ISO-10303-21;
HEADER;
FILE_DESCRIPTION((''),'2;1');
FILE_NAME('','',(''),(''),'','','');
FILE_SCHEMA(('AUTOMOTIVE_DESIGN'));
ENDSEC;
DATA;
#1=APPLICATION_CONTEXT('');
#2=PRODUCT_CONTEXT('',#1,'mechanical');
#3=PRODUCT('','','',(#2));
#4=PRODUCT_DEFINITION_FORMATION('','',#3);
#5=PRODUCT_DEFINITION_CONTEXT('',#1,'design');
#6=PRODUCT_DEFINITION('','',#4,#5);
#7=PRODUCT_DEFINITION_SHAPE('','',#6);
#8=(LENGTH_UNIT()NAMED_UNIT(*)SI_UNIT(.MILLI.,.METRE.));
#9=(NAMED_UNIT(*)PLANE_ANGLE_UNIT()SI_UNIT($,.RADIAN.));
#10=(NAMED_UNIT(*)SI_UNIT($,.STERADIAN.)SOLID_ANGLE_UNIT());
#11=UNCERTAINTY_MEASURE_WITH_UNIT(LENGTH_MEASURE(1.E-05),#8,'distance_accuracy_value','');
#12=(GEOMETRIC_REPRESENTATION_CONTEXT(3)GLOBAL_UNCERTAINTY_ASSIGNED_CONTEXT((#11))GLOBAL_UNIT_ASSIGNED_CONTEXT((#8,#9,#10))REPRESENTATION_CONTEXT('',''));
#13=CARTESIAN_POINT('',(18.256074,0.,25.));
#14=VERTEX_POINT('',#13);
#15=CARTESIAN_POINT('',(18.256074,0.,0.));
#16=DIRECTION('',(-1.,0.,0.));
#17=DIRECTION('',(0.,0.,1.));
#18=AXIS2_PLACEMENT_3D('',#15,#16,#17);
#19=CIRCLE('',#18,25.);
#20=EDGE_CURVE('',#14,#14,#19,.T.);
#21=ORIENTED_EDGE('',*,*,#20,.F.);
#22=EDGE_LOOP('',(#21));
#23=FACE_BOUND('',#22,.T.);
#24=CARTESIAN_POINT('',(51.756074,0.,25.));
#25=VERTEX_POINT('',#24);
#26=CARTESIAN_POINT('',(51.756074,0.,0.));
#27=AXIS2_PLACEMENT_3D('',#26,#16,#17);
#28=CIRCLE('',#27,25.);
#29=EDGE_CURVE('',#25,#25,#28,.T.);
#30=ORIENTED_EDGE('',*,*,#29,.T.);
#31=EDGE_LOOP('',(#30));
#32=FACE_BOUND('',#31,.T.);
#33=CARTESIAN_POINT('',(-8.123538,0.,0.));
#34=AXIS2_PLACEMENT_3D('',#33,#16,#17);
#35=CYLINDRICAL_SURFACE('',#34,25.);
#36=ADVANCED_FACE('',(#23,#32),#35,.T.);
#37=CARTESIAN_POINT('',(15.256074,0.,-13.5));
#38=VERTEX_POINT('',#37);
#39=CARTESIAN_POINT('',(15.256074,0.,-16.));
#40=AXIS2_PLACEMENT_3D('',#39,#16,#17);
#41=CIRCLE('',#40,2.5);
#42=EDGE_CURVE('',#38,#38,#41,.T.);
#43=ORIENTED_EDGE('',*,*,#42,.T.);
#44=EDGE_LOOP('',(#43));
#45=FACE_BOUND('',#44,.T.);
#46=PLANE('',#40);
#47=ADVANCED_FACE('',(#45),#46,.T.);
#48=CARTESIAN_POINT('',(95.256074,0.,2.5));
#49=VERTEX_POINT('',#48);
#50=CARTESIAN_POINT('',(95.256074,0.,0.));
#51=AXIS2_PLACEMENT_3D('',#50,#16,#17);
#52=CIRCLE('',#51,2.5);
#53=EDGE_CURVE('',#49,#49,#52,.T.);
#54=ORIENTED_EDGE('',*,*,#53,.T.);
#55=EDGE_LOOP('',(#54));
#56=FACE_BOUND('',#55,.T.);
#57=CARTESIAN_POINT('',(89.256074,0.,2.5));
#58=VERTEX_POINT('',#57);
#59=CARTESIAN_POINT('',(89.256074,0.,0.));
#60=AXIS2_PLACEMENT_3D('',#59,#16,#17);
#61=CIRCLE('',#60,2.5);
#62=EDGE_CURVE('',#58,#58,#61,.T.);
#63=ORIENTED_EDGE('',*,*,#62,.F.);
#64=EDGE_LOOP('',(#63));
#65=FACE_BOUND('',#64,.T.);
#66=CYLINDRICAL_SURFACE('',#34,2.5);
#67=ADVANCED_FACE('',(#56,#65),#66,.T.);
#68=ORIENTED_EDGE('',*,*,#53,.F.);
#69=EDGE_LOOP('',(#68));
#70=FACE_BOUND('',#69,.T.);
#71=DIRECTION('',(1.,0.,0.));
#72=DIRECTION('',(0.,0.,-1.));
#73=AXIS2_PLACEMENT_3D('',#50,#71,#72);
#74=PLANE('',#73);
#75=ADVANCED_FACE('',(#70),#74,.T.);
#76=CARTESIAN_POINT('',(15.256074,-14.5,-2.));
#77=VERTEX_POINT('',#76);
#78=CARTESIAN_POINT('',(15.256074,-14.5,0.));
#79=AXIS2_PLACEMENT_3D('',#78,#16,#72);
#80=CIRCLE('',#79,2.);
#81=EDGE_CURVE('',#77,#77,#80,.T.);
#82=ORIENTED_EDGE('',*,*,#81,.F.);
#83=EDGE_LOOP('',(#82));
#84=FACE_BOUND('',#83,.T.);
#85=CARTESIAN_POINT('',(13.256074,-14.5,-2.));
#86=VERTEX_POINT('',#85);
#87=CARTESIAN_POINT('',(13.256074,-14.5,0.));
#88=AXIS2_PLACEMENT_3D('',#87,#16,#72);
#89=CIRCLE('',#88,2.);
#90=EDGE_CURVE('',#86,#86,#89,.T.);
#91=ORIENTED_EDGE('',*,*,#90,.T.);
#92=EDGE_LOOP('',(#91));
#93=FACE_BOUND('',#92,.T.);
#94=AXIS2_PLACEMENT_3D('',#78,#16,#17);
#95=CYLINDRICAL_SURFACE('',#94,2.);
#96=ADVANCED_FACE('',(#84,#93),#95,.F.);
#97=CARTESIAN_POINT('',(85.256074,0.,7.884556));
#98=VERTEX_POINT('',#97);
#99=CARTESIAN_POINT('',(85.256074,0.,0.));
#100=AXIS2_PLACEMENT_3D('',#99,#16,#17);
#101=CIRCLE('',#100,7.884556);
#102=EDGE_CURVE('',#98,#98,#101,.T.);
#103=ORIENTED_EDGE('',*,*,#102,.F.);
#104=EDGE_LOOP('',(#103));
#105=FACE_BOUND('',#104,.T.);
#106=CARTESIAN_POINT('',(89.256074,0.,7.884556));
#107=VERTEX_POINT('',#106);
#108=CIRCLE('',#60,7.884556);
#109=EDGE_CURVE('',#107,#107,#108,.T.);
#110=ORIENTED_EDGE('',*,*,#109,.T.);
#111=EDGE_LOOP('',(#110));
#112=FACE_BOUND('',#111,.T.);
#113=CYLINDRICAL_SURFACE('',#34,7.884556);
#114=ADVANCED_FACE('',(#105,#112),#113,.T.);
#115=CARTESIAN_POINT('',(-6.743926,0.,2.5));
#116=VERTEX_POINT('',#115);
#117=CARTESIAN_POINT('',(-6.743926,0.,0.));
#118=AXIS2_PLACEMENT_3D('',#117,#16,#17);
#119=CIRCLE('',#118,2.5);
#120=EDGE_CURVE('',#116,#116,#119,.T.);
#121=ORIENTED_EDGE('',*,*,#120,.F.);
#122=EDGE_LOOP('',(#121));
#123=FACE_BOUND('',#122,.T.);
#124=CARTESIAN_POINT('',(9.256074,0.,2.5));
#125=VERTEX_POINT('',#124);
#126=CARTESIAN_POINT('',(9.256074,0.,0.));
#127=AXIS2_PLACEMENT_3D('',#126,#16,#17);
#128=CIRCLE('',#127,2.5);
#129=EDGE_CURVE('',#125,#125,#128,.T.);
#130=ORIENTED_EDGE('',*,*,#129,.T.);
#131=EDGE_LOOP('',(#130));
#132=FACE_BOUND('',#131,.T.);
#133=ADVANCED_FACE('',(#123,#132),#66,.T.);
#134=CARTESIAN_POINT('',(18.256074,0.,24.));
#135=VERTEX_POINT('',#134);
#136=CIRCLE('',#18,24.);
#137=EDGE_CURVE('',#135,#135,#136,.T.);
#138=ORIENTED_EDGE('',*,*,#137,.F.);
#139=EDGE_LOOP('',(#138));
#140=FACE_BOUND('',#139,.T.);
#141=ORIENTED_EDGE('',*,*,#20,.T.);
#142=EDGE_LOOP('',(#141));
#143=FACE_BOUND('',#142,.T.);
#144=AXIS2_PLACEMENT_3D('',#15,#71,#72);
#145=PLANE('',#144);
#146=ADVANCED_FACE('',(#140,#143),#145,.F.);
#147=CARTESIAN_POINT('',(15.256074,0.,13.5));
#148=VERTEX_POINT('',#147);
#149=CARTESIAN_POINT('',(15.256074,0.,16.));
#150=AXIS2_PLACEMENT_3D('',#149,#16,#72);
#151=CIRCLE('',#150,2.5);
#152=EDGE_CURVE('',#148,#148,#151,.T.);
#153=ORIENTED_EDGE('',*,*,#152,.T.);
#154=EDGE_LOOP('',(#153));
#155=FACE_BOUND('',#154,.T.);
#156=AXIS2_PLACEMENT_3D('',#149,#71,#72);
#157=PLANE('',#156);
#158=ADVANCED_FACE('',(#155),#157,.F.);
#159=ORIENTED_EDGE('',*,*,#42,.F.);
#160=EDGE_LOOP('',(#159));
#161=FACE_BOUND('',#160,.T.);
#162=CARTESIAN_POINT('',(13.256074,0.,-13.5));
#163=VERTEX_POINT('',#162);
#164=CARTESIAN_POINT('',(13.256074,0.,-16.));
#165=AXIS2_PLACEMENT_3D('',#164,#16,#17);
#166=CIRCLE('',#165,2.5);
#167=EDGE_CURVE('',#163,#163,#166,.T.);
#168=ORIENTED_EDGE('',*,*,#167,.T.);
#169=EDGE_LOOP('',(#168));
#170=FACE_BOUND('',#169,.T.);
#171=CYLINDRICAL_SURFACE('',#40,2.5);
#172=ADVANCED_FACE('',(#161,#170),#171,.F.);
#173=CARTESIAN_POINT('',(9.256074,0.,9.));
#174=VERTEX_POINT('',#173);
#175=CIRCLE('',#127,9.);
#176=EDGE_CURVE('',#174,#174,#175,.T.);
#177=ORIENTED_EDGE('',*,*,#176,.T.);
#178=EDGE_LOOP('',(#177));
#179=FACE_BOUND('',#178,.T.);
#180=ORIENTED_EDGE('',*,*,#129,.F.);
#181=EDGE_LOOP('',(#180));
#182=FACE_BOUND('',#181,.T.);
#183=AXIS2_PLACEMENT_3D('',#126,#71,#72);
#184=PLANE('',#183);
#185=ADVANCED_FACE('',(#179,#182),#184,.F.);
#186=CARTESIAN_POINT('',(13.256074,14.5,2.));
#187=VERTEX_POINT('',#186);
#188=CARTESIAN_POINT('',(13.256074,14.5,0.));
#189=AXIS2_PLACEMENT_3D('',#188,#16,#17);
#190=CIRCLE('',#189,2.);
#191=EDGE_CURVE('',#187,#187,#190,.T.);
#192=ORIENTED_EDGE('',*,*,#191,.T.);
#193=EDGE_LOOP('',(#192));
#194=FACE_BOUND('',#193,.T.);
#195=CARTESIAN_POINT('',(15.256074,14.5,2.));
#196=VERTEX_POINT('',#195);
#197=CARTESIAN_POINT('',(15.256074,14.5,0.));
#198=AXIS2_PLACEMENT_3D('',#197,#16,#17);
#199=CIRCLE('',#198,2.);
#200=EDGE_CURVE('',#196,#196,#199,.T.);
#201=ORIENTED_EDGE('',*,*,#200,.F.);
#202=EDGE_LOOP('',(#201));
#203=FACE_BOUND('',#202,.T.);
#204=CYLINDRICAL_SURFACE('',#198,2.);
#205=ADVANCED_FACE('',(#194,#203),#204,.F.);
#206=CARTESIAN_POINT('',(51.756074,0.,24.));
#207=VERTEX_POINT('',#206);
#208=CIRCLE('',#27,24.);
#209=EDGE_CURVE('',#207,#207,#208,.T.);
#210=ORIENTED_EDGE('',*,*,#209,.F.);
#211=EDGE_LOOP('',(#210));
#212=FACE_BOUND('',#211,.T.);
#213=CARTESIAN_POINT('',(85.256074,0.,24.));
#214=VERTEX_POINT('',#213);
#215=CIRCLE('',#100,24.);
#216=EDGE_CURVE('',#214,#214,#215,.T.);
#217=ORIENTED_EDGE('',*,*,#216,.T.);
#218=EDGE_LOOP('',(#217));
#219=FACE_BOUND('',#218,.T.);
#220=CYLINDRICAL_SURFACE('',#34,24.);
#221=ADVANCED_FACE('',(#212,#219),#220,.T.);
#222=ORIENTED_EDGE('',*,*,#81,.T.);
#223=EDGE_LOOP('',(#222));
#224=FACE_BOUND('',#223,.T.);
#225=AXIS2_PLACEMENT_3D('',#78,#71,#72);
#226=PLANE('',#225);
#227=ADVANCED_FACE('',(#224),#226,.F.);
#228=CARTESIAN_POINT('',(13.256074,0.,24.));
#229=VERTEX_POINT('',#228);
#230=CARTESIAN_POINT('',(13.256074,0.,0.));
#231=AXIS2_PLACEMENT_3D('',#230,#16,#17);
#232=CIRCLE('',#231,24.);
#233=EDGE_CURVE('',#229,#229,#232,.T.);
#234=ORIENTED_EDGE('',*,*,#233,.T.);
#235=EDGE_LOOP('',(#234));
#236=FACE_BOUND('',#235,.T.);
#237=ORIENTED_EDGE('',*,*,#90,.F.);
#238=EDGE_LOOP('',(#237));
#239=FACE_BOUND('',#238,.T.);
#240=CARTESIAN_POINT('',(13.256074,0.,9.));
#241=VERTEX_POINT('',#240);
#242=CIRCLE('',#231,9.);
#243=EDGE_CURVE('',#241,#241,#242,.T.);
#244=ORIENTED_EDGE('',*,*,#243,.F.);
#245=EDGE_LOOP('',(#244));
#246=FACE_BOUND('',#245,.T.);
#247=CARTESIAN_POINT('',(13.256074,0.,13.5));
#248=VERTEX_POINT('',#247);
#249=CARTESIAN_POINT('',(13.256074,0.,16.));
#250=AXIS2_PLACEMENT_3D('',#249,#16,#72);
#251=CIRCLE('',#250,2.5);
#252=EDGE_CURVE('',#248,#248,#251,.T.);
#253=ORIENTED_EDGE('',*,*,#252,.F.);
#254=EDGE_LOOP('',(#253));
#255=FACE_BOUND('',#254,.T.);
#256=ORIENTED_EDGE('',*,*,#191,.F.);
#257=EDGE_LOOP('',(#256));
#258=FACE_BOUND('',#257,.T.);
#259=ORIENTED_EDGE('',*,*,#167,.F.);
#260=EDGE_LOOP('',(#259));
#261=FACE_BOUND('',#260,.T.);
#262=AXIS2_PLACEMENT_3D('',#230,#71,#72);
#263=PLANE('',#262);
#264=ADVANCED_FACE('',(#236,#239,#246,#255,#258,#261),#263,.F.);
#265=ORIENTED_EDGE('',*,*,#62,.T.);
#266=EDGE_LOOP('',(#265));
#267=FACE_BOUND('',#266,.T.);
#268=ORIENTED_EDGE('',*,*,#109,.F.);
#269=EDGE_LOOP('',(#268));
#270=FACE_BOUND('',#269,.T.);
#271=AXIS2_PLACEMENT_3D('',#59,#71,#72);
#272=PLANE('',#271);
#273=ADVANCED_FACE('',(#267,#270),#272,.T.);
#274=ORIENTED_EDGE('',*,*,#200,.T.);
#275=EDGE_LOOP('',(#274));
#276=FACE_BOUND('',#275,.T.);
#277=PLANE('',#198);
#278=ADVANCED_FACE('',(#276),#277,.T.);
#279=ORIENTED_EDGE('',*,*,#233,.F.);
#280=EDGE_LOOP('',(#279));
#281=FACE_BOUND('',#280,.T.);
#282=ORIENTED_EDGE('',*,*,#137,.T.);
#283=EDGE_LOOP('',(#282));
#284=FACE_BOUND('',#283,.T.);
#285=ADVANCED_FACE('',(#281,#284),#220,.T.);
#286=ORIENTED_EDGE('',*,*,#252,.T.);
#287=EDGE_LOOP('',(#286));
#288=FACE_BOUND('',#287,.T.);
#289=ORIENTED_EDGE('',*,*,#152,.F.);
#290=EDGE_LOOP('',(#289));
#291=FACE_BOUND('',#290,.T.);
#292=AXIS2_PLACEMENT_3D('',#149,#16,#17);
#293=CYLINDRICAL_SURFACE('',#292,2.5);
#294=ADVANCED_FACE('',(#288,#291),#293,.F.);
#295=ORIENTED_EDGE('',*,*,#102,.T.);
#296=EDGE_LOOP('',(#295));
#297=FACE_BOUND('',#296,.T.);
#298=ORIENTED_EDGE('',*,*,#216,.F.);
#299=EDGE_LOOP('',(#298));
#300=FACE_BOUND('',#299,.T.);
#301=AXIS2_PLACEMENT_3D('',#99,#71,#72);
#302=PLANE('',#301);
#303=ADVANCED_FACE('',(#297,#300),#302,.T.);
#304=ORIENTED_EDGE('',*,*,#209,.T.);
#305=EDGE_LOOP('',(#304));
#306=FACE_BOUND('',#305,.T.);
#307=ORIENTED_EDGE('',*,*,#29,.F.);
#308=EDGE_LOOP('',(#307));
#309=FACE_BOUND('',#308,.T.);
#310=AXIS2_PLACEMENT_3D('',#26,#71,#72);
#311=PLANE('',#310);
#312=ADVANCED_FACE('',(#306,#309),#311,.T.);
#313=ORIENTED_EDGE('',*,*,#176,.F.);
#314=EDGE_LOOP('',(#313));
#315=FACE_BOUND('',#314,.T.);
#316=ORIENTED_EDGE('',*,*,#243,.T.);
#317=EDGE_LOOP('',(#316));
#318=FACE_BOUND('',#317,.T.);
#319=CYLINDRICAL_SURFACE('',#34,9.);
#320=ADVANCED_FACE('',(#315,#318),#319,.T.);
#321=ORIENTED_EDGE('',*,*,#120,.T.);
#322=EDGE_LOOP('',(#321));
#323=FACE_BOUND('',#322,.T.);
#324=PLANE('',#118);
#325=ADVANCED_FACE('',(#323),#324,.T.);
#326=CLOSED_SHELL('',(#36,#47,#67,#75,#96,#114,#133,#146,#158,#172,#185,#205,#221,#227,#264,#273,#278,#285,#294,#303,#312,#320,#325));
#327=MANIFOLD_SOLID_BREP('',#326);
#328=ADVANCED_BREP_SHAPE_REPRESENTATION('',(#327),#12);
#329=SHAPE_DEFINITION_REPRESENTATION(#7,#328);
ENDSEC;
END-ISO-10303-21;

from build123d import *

# Parameters (mm, degrees)
SKETCH_2_R          = 2
SKETCH_2_R_2        = 2.5
CUT_EXTRUDE_1_DEPTH = 2


with BuildPart() as part:
    # 草图1 → 旋转1 (revolve)
    with BuildSketch(Plane(origin=(0, 0, 0), x_dir=(1, 0, 0), z_dir=(0, 1, 0)), mode=Mode.PRIVATE) as revolve_1_sk:
        Polygon((-6.743925692, 2.5), (-6.743925692, 0), (95.256074308, 0), (95.256074308, 2.5), (89.256074308, 2.5), (89.256074308, 7.88455591), (85.256074308, 7.88455591), (85.256074308, 24), (51.756074308, 24), (51.756074308, 25), (18.256074308, 25), (18.256074308, 24), (13.256074308, 24), (13.256074308, 9), (9.256074308, 9), (9.256074308, 2.5), align=None)
    revolve(revolve_1_sk.sketch.rotate(Axis((-8.123537978, 0, 0), (1, 0, 0)), 180), axis=Axis((-8.123537978, 0, 0), (1, 0, 0)))

    # 草图2 → 切除-拉伸1 (cut)
    with BuildSketch(Plane.ZY.offset(-13.256074308)):
        with Locations((0, 14.5)):
            Circle(SKETCH_2_R)
        with Locations(Location((0, -14.5, 0), (0, 0, 180))):
            Circle(SKETCH_2_R)
        with Locations((-16, 0)):
            Circle(SKETCH_2_R_2)
        with Locations(Location((16, 0, 0), (0, 0, 180))):
            Circle(SKETCH_2_R_2)
    extrude(amount=-CUT_EXTRUDE_1_DEPTH, mode=Mode.SUBTRACT)


solid = part.part
